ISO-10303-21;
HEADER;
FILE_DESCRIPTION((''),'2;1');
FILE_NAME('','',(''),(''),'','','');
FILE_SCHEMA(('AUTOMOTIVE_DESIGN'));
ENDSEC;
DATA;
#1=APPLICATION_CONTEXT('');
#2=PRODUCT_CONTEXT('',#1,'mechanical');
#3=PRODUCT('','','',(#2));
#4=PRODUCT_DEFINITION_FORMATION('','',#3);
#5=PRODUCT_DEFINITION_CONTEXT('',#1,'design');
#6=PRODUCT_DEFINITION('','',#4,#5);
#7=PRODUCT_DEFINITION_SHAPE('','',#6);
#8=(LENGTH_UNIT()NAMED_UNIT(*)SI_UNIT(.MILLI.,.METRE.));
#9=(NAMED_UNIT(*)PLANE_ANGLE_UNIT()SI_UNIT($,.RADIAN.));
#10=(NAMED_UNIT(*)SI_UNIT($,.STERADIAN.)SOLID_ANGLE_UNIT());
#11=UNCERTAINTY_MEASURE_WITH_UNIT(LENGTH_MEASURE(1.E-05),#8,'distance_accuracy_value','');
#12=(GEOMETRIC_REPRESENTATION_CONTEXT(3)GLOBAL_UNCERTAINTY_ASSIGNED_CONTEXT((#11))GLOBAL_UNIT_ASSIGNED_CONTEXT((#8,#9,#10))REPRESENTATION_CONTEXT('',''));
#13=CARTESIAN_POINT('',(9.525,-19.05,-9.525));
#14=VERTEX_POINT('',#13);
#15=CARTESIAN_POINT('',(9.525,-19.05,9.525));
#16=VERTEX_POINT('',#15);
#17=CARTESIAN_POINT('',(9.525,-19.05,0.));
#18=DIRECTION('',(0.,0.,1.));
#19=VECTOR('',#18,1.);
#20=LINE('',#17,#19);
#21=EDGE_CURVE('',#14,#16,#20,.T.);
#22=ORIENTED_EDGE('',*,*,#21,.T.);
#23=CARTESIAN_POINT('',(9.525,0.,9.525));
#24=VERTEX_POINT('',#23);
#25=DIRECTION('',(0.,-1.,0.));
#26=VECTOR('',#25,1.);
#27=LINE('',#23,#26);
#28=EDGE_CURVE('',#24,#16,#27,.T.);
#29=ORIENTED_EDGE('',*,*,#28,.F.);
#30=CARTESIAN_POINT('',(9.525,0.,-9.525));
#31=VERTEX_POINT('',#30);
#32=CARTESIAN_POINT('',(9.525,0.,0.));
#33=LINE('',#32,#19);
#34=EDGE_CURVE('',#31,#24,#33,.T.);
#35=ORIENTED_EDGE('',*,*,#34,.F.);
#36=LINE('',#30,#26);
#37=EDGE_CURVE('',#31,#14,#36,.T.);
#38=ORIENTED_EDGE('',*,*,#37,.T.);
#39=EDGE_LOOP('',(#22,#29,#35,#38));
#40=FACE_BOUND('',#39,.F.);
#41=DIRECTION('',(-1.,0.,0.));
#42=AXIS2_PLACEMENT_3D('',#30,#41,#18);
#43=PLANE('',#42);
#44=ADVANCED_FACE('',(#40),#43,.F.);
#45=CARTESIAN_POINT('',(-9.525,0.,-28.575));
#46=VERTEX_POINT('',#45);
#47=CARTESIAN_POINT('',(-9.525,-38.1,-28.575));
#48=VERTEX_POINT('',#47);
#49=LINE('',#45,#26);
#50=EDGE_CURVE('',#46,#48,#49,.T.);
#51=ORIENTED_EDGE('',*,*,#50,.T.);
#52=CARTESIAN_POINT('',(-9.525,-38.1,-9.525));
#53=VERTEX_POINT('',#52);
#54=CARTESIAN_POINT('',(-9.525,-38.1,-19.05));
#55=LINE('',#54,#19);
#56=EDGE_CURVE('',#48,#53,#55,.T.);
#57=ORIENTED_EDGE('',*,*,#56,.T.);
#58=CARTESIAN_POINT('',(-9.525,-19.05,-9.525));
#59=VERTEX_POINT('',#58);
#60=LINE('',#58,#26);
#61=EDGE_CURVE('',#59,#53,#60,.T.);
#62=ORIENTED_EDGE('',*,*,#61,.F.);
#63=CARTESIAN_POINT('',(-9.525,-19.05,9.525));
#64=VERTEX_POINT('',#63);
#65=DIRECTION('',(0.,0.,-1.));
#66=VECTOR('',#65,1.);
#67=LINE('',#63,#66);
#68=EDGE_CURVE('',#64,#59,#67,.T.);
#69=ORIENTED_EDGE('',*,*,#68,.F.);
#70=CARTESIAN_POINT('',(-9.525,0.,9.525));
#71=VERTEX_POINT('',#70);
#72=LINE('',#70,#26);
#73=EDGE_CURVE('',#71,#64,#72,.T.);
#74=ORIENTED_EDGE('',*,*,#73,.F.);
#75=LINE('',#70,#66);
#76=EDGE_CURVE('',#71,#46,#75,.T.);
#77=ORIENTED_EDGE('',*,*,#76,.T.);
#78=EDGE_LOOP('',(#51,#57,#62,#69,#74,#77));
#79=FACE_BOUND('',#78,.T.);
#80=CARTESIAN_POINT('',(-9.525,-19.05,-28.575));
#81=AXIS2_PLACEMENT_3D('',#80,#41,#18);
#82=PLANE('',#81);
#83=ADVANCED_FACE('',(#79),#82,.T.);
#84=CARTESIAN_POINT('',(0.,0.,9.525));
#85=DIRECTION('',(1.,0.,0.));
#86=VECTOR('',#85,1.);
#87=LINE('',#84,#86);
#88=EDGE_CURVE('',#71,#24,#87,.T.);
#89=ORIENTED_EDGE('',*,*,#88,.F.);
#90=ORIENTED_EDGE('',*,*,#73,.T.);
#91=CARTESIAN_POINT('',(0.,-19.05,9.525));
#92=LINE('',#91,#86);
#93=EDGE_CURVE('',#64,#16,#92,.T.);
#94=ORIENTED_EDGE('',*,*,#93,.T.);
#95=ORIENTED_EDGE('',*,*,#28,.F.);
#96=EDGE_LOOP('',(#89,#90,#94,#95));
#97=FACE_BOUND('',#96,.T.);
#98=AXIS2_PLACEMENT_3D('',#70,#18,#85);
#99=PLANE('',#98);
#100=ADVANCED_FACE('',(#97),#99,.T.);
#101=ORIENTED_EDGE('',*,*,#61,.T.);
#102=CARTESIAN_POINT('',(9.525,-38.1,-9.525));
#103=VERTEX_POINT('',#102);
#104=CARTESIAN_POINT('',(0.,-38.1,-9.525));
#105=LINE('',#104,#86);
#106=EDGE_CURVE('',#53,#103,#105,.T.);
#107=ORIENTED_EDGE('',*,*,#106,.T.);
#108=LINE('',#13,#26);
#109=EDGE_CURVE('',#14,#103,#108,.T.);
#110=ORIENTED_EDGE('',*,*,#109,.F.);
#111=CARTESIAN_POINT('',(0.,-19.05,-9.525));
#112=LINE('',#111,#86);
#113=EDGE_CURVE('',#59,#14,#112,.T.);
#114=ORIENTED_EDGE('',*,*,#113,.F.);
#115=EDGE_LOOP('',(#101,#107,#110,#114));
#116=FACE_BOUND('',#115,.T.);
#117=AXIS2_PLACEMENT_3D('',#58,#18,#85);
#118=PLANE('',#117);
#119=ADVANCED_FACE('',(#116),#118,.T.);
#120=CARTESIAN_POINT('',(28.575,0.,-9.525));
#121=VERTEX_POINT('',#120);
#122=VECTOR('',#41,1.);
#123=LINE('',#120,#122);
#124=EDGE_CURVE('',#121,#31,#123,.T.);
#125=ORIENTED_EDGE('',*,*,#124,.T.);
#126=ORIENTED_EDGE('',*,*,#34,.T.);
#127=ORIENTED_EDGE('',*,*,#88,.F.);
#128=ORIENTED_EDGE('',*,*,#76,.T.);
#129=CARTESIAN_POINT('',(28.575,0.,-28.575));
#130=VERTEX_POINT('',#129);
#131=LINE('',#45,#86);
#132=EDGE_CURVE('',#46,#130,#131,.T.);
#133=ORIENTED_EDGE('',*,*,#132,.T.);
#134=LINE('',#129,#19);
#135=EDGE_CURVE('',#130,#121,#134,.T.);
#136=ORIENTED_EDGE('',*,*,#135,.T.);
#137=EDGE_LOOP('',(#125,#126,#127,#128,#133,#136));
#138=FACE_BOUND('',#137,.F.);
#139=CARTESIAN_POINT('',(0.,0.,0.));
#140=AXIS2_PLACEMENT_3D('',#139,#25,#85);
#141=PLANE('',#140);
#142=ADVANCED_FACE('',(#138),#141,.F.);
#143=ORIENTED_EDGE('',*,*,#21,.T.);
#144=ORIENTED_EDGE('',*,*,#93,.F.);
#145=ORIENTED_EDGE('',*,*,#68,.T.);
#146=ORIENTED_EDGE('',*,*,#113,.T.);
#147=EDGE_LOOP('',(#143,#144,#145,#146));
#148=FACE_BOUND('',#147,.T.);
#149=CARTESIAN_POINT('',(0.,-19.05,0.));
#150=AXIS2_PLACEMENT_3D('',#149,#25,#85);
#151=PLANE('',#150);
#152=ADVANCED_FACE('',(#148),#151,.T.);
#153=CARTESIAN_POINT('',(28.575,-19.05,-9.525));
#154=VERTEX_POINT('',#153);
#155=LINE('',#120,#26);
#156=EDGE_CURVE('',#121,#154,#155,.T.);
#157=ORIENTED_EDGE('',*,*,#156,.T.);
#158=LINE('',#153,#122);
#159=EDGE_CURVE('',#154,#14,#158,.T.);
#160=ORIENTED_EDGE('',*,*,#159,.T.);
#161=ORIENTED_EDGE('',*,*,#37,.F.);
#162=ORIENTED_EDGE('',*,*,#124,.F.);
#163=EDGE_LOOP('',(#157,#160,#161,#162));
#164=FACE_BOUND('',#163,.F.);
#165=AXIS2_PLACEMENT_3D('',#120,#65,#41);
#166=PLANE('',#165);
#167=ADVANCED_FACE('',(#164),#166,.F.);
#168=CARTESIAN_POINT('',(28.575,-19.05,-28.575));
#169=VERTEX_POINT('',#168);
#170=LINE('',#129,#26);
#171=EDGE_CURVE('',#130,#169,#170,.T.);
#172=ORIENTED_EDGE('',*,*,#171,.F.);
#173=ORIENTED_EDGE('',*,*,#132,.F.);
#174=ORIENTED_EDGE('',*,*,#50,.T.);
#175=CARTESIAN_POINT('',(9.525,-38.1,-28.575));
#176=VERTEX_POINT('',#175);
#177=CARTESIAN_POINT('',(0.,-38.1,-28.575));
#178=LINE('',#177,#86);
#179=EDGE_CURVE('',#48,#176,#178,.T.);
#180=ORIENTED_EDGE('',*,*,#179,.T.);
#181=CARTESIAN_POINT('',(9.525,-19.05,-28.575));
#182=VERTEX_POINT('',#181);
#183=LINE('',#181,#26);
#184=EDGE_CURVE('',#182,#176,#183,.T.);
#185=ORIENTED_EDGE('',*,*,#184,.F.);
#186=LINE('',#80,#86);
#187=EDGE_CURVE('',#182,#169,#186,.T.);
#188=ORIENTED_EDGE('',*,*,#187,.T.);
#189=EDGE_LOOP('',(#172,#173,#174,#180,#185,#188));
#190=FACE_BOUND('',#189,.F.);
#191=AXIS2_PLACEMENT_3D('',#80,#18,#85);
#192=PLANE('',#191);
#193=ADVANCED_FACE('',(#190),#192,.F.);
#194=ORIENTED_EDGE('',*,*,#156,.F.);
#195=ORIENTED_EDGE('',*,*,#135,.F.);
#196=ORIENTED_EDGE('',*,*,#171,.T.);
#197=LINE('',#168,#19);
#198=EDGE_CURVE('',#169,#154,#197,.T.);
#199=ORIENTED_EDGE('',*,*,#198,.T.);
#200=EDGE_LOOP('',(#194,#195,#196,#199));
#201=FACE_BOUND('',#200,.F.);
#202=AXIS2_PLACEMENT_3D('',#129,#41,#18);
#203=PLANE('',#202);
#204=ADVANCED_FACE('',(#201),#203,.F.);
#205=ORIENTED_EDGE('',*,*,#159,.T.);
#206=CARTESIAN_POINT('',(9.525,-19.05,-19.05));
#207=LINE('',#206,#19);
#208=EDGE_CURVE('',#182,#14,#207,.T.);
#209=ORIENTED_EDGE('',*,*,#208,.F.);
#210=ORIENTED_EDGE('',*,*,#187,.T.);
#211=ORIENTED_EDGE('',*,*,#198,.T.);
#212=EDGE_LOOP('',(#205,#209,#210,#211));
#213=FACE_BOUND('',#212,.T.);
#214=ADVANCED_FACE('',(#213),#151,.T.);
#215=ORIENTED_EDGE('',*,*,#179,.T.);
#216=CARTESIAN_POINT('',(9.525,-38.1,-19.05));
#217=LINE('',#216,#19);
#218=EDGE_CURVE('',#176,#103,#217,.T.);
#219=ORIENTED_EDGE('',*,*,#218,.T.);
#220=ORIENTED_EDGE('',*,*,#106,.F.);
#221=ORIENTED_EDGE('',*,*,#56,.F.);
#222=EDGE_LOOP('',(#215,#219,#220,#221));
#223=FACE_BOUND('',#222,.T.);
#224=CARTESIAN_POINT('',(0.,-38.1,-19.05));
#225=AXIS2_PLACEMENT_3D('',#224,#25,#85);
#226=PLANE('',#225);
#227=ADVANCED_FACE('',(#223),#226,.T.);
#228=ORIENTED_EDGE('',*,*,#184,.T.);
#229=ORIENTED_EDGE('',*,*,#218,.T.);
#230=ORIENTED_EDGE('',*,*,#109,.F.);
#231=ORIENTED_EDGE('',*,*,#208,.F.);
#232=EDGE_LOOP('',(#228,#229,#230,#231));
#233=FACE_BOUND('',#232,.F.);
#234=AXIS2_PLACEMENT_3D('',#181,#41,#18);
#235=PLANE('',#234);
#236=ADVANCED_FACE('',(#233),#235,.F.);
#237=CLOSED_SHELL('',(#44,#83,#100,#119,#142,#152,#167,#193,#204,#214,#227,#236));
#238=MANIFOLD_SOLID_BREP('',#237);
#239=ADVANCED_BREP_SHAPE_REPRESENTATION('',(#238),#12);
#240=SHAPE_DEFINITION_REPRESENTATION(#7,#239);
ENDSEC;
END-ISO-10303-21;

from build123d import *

# Parameters (mm, degrees)
F0_W     = 19.05
F0_H     = 19.05
F1_DEPTH = 19.05
F2_W     = 19.05
F2_H     = 19.05
F3_DEPTH = 19.05


with BuildPart() as f1:
    # F0 (on Front) → F1 (new body)
    with BuildSketch(Plane.XZ):
        Rectangle(F0_W, F0_H)
        Polygon((28.575, -9.525), (9.525, -9.525), (-9.525, -9.525), (-9.525, -28.575), (28.575, -28.575), align=None)
    extrude(amount=F1_DEPTH)

    # F2 (on face) → F3 (join)
    with BuildSketch(Plane.XZ.offset(19.05)):
        with Locations((0, -19.05)):
            Rectangle(F2_W, F2_H)
    extrude(amount=F3_DEPTH)


solid = f1.part
